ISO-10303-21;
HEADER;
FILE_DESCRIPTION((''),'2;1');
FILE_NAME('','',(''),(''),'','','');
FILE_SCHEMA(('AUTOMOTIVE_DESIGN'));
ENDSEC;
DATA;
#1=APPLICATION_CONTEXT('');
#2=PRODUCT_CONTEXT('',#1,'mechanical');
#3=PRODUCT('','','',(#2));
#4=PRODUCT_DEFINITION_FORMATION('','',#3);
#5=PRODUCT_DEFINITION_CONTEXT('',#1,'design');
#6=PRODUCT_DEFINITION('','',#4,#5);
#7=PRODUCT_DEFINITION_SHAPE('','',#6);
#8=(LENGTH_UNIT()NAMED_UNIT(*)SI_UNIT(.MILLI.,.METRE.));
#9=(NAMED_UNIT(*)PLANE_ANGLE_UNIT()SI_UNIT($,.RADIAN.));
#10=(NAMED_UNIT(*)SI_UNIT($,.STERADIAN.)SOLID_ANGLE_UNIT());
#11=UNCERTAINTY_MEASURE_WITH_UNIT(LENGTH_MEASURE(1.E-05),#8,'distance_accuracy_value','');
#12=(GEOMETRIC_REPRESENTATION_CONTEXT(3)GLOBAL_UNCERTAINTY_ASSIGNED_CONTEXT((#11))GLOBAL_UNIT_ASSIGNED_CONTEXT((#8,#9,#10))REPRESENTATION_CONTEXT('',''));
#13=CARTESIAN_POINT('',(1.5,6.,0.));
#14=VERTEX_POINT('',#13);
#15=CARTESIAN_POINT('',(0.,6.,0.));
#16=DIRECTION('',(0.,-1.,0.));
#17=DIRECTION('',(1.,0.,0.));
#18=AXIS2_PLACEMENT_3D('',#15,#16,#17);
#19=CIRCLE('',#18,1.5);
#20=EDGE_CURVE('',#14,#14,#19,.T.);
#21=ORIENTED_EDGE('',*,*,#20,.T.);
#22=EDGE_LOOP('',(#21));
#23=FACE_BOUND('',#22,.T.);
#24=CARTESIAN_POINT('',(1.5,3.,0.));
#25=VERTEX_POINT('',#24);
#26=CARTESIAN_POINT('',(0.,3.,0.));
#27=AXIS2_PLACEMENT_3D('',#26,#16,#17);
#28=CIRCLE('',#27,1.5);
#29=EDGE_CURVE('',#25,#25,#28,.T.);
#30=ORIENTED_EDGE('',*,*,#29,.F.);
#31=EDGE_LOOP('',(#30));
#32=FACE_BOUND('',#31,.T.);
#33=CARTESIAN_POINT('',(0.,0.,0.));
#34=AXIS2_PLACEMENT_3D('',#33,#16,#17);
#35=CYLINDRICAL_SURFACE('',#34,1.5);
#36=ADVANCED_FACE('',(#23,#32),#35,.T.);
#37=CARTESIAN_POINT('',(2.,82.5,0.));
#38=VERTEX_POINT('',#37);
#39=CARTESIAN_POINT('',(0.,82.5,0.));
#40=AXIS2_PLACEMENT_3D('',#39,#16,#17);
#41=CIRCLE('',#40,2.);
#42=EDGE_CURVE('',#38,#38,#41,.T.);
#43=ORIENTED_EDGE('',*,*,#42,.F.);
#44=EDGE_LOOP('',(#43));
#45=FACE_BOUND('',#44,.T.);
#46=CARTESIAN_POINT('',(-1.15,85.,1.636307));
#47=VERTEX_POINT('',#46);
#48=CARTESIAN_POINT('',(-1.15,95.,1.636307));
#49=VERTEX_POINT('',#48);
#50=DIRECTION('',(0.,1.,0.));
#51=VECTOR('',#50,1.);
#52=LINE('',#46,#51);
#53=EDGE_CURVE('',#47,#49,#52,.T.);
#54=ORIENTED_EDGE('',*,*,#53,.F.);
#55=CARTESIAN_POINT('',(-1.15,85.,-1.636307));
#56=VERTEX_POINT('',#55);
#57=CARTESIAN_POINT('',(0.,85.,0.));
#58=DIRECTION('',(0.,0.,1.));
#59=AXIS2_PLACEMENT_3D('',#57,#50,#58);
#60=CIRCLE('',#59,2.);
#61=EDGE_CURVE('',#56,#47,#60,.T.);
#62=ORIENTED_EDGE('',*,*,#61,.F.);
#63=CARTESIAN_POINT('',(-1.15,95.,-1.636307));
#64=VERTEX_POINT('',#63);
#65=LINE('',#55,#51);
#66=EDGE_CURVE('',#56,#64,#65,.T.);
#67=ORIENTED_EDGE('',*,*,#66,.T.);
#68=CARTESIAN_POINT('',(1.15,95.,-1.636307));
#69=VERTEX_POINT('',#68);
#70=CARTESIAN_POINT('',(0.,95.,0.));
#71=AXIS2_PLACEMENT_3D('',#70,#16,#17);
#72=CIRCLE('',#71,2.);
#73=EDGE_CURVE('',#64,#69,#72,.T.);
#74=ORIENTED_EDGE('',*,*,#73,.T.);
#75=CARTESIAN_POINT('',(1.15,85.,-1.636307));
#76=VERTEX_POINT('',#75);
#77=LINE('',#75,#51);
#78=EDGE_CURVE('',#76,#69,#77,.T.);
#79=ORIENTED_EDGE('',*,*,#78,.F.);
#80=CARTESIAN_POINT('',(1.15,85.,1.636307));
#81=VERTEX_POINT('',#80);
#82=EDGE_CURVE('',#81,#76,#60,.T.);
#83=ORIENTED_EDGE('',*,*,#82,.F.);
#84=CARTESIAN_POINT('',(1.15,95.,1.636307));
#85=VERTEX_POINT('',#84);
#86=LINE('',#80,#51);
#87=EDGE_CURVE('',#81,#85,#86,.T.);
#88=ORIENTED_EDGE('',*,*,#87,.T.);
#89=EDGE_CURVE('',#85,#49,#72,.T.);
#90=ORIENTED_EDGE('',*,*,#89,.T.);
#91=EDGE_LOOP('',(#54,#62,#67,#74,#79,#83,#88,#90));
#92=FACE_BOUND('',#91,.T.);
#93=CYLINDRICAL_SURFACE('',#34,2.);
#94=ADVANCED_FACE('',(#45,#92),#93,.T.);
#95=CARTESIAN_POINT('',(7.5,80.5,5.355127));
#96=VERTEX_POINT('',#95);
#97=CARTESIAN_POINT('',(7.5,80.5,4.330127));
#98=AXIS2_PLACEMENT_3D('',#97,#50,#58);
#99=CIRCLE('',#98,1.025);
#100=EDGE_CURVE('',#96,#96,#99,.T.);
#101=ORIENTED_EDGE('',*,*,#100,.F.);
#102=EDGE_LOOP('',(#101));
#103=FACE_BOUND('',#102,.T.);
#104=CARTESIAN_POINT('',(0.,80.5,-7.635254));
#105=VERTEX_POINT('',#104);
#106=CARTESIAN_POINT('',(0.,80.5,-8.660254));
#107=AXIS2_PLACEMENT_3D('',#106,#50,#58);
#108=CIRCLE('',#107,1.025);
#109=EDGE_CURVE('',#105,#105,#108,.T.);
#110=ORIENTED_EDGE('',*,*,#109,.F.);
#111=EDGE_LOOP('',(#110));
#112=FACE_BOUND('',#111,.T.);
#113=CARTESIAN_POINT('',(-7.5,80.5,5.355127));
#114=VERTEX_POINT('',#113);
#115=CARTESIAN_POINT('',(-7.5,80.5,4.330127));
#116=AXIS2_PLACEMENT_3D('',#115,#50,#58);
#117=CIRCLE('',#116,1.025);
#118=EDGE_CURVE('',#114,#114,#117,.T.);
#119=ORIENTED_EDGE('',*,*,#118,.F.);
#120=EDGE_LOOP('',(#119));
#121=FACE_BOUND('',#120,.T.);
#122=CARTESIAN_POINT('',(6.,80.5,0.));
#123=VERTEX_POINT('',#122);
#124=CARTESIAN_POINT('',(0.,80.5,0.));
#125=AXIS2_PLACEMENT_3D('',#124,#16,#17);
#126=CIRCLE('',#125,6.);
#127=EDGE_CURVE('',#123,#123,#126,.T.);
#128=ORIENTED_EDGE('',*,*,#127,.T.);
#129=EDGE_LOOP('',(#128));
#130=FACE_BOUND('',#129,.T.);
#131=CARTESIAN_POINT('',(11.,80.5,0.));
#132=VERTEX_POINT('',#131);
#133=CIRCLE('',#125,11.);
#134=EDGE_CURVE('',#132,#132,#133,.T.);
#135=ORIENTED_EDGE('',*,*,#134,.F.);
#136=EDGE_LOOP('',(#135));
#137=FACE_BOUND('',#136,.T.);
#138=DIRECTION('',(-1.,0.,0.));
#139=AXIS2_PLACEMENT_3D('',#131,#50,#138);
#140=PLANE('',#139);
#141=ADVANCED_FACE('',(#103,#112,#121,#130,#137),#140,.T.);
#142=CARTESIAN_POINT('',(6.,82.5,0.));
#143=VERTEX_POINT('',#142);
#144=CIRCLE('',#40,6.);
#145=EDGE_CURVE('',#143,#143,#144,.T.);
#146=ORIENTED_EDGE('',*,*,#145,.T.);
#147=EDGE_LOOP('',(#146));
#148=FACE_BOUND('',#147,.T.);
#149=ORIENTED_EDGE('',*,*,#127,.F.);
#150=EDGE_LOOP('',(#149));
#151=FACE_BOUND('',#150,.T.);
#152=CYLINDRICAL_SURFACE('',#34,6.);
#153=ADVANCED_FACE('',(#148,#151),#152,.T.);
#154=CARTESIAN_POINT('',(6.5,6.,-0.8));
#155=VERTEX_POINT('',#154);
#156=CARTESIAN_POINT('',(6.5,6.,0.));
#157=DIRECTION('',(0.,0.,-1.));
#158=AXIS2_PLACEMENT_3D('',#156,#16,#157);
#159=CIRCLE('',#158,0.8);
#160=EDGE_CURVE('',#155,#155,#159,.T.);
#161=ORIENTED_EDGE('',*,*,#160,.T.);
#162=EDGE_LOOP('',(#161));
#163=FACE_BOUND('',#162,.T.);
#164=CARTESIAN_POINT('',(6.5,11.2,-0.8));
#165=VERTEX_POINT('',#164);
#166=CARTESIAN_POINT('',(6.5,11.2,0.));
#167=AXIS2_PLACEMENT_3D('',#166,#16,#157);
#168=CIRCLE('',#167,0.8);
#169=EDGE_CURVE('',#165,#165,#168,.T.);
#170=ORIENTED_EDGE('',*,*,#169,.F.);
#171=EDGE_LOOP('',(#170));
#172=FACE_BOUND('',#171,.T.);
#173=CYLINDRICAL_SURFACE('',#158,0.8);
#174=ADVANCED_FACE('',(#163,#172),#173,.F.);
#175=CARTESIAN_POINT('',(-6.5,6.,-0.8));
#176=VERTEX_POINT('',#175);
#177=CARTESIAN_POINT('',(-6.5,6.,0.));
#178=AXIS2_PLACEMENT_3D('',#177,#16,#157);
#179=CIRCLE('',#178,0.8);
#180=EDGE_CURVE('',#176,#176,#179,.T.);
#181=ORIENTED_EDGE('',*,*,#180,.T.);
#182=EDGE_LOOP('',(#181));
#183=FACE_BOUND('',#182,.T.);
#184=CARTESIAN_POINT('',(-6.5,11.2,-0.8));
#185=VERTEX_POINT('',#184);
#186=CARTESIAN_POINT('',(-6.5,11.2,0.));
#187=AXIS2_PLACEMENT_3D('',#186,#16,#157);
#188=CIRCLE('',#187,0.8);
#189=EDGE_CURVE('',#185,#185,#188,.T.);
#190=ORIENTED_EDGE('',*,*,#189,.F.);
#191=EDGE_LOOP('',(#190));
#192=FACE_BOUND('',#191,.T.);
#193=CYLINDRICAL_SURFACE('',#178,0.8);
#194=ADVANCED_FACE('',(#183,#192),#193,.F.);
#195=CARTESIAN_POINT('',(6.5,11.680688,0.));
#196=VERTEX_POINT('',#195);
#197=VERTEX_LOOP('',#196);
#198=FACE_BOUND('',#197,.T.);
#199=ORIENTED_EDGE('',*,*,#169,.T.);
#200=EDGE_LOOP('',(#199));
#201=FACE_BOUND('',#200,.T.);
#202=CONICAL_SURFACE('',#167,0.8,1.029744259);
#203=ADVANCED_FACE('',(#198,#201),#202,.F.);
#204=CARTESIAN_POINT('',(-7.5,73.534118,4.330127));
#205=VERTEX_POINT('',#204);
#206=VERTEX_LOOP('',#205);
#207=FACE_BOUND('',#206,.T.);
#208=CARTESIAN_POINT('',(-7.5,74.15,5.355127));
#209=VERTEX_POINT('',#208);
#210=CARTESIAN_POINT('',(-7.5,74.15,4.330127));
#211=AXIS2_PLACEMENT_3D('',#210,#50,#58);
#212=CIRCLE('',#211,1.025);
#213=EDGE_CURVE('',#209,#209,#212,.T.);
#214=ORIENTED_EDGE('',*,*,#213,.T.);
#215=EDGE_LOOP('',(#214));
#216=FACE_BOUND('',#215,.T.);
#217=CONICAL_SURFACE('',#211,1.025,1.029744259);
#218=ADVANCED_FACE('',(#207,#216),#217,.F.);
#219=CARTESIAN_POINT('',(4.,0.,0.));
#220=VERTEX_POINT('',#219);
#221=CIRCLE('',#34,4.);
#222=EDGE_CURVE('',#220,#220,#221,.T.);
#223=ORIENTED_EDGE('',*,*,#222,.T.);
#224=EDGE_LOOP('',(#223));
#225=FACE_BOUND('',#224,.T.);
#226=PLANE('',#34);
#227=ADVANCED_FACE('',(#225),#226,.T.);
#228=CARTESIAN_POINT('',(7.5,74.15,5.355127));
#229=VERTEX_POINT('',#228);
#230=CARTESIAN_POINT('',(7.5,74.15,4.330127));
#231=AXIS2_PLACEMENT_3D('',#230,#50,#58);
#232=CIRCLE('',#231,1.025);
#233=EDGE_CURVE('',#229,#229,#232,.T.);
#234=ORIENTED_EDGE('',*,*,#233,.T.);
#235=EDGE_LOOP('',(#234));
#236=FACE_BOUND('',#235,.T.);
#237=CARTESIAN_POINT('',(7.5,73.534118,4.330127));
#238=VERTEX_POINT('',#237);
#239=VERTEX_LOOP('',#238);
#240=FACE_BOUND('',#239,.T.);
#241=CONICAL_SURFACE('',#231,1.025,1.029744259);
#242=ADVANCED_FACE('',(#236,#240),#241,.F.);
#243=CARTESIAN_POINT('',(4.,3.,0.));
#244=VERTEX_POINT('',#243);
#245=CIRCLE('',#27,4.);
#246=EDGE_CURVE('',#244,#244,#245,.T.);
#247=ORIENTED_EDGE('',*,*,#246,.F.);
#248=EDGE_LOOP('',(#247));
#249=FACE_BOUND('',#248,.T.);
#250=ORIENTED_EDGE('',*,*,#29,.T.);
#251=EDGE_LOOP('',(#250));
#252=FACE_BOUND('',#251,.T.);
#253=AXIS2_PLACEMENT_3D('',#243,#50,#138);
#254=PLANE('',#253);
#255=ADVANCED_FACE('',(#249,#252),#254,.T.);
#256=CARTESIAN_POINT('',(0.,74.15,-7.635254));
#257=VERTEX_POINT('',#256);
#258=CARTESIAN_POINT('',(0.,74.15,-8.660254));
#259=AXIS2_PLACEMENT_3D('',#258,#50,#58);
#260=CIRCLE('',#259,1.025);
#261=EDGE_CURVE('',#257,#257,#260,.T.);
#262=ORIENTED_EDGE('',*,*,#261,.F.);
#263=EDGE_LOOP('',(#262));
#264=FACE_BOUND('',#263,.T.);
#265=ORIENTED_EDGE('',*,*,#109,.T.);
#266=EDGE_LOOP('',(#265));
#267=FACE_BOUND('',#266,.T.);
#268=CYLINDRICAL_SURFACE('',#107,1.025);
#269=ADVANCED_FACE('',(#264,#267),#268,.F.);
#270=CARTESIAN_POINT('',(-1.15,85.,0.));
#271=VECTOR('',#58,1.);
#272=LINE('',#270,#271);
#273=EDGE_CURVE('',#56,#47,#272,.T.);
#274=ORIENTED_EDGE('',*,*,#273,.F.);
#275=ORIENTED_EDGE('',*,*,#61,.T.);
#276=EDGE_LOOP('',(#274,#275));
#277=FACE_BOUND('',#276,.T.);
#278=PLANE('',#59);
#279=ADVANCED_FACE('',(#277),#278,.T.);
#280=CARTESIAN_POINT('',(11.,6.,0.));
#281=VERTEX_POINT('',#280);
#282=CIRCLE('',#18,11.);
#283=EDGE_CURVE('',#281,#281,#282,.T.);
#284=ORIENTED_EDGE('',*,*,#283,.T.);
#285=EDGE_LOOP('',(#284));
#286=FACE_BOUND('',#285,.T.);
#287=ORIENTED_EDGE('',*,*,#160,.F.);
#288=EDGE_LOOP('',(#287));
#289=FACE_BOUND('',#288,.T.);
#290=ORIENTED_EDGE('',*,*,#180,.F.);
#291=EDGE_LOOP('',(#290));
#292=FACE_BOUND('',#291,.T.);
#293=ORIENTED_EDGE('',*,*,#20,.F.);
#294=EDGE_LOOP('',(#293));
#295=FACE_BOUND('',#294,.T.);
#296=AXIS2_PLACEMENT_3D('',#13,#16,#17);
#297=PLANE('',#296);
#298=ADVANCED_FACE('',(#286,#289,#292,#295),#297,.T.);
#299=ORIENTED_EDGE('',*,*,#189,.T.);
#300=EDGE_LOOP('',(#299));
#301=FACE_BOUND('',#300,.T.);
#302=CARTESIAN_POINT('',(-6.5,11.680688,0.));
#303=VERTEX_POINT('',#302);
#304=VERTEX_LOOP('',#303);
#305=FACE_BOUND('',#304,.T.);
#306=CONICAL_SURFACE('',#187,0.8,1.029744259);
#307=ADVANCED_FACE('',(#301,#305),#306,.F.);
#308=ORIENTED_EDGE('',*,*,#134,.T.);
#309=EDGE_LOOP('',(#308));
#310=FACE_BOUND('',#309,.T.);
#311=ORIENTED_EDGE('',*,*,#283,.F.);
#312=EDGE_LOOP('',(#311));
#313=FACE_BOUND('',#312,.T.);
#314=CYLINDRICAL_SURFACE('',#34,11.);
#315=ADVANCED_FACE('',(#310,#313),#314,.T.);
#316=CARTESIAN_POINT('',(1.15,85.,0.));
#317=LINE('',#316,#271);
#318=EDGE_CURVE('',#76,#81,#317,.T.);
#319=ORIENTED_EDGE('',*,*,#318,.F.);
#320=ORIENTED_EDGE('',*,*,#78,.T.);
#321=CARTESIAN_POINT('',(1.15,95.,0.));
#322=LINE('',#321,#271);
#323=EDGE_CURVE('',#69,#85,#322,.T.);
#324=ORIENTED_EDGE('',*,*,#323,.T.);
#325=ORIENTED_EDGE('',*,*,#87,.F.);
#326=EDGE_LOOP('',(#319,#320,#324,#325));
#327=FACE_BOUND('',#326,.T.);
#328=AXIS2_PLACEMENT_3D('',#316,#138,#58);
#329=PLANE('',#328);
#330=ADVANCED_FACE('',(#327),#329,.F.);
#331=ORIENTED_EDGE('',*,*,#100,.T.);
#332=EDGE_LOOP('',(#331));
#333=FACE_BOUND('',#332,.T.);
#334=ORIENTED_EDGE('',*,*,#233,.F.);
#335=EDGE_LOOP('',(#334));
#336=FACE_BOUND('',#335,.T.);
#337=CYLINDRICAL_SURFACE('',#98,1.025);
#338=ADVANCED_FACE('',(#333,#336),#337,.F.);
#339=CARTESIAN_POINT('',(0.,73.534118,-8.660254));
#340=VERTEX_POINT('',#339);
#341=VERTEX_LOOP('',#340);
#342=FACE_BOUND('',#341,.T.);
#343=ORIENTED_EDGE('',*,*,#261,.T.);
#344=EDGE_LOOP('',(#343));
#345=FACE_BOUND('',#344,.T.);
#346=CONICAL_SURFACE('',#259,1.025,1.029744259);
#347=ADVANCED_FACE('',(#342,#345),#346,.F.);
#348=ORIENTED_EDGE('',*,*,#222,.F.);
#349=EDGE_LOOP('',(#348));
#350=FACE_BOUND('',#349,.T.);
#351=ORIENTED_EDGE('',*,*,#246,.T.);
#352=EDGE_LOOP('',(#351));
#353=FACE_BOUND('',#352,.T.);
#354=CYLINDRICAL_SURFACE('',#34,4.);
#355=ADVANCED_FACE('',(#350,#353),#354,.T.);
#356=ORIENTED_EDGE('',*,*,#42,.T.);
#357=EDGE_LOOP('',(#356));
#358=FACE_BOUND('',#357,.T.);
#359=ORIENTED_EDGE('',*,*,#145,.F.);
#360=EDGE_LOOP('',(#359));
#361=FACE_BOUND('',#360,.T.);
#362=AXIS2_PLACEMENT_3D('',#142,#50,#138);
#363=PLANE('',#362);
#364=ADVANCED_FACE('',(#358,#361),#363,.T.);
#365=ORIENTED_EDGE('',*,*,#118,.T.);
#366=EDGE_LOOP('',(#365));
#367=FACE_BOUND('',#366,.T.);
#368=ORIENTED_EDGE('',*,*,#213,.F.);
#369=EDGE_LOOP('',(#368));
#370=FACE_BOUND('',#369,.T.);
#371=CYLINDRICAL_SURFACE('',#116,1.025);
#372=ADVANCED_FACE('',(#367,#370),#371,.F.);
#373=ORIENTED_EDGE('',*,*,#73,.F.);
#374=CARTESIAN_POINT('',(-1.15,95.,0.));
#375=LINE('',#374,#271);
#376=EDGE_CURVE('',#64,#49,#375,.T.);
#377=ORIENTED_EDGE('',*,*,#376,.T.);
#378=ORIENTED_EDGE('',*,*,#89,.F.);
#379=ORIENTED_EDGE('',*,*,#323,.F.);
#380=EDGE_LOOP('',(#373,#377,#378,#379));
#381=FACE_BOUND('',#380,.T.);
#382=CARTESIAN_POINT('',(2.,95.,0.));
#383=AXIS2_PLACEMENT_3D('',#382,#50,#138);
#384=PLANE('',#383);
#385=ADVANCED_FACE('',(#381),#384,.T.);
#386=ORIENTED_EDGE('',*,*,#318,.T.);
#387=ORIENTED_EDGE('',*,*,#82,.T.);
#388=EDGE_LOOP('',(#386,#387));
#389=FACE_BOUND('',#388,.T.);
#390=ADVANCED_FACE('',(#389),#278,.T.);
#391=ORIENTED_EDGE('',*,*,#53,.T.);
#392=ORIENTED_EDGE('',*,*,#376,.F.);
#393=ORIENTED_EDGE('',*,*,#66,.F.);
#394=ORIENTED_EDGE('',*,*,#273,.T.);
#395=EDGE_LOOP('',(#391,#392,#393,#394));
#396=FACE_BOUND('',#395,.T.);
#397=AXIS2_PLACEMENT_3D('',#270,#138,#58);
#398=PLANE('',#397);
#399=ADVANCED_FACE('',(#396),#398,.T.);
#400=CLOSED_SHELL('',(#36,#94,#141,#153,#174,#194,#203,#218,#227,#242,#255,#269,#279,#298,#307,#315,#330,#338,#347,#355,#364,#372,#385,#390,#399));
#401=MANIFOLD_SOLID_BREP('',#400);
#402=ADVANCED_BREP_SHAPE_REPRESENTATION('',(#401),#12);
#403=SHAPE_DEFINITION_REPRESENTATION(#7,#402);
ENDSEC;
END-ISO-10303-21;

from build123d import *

# Parameters (mm, degrees)
CUT_EXTRUDE_1_DEPTH      = 10
HOLE_WIZARD_M2_5_1_D     = 2.05
HOLE_WIZARD_M2_5_1_DEPTH = 6.35
HOLE_WIZARD_M2_5_1_TIP   = 0.615882135
HOLE_WIZARD_M2_1_D       = 1.6
HOLE_WIZARD_M2_1_DEPTH   = 5.2
HOLE_WIZARD_M2_1_TIP     = 0.480688495


with BuildPart() as part:
    # 草图1 → 旋转1 (revolve)
    with BuildSketch(Plane.XY):
        Polygon((0, 0), (4, 0), (4, 3), (1.5, 3), (1.5, 6), (11, 6), (11, 80.5), (6, 80.5), (6, 82.5), (2, 82.5), (2, 95), (0, 95), align=None)
    revolve(axis=Axis((0, 0, 0), (0, 1, 0)))

    # 草图2 → 切除-拉伸1 (cut)
    with BuildSketch(Plane(origin=(0, 95, 0), x_dir=(1, 0, 0), z_dir=(0, 1, 0))):
        with BuildLine():
            Line((-1.15, -1.636306817), (-1.15, 1.636306817))
            ThreePointArc((-1.15, 1.636306817), (-2, 0), (-1.15, -1.636306817))
        make_face()
        with BuildLine():
            ThreePointArc((2, 0), (1.774823935, 0.921954446), (1.15, 1.636306817))
            Line((1.15, 1.636306817), (1.15, -1.636306817))
            ThreePointArc((1.15, -1.636306817), (1.774823935, -0.921954446), (2, 0))
        make_face()
    extrude(amount=-CUT_EXTRUDE_1_DEPTH, mode=Mode.SUBTRACT)

    # M2.5 螺纹孔1
    with Locations(Plane(origin=(0, 80.5, 0), x_dir=(1, 0, 0), z_dir=(0, 1, 0))):
        with Locations((0, 8.660254038), (-7.5, -4.330127019), (7.5, -4.330127019)):
            Hole(HOLE_WIZARD_M2_5_1_D / 2, depth=HOLE_WIZARD_M2_5_1_DEPTH)
            with Locations((0, 0, -(HOLE_WIZARD_M2_5_1_DEPTH + HOLE_WIZARD_M2_5_1_TIP / 2))):  # 118° drill point
                Cone(0, HOLE_WIZARD_M2_5_1_D / 2, HOLE_WIZARD_M2_5_1_TIP, mode=Mode.SUBTRACT)

    # M2 螺纹孔1
    with Locations(Plane(origin=(0, 6, 0), x_dir=(-1, 0, 0), z_dir=(0, -1, 0))):
        with Locations((-6.5, 0), (6.5, 0)):
            Hole(HOLE_WIZARD_M2_1_D / 2, depth=HOLE_WIZARD_M2_1_DEPTH)
            with Locations((0, 0, -(HOLE_WIZARD_M2_1_DEPTH + HOLE_WIZARD_M2_1_TIP / 2))):  # 118° drill point
                Cone(0, HOLE_WIZARD_M2_1_D / 2, HOLE_WIZARD_M2_1_TIP, mode=Mode.SUBTRACT)


solid = part.part
